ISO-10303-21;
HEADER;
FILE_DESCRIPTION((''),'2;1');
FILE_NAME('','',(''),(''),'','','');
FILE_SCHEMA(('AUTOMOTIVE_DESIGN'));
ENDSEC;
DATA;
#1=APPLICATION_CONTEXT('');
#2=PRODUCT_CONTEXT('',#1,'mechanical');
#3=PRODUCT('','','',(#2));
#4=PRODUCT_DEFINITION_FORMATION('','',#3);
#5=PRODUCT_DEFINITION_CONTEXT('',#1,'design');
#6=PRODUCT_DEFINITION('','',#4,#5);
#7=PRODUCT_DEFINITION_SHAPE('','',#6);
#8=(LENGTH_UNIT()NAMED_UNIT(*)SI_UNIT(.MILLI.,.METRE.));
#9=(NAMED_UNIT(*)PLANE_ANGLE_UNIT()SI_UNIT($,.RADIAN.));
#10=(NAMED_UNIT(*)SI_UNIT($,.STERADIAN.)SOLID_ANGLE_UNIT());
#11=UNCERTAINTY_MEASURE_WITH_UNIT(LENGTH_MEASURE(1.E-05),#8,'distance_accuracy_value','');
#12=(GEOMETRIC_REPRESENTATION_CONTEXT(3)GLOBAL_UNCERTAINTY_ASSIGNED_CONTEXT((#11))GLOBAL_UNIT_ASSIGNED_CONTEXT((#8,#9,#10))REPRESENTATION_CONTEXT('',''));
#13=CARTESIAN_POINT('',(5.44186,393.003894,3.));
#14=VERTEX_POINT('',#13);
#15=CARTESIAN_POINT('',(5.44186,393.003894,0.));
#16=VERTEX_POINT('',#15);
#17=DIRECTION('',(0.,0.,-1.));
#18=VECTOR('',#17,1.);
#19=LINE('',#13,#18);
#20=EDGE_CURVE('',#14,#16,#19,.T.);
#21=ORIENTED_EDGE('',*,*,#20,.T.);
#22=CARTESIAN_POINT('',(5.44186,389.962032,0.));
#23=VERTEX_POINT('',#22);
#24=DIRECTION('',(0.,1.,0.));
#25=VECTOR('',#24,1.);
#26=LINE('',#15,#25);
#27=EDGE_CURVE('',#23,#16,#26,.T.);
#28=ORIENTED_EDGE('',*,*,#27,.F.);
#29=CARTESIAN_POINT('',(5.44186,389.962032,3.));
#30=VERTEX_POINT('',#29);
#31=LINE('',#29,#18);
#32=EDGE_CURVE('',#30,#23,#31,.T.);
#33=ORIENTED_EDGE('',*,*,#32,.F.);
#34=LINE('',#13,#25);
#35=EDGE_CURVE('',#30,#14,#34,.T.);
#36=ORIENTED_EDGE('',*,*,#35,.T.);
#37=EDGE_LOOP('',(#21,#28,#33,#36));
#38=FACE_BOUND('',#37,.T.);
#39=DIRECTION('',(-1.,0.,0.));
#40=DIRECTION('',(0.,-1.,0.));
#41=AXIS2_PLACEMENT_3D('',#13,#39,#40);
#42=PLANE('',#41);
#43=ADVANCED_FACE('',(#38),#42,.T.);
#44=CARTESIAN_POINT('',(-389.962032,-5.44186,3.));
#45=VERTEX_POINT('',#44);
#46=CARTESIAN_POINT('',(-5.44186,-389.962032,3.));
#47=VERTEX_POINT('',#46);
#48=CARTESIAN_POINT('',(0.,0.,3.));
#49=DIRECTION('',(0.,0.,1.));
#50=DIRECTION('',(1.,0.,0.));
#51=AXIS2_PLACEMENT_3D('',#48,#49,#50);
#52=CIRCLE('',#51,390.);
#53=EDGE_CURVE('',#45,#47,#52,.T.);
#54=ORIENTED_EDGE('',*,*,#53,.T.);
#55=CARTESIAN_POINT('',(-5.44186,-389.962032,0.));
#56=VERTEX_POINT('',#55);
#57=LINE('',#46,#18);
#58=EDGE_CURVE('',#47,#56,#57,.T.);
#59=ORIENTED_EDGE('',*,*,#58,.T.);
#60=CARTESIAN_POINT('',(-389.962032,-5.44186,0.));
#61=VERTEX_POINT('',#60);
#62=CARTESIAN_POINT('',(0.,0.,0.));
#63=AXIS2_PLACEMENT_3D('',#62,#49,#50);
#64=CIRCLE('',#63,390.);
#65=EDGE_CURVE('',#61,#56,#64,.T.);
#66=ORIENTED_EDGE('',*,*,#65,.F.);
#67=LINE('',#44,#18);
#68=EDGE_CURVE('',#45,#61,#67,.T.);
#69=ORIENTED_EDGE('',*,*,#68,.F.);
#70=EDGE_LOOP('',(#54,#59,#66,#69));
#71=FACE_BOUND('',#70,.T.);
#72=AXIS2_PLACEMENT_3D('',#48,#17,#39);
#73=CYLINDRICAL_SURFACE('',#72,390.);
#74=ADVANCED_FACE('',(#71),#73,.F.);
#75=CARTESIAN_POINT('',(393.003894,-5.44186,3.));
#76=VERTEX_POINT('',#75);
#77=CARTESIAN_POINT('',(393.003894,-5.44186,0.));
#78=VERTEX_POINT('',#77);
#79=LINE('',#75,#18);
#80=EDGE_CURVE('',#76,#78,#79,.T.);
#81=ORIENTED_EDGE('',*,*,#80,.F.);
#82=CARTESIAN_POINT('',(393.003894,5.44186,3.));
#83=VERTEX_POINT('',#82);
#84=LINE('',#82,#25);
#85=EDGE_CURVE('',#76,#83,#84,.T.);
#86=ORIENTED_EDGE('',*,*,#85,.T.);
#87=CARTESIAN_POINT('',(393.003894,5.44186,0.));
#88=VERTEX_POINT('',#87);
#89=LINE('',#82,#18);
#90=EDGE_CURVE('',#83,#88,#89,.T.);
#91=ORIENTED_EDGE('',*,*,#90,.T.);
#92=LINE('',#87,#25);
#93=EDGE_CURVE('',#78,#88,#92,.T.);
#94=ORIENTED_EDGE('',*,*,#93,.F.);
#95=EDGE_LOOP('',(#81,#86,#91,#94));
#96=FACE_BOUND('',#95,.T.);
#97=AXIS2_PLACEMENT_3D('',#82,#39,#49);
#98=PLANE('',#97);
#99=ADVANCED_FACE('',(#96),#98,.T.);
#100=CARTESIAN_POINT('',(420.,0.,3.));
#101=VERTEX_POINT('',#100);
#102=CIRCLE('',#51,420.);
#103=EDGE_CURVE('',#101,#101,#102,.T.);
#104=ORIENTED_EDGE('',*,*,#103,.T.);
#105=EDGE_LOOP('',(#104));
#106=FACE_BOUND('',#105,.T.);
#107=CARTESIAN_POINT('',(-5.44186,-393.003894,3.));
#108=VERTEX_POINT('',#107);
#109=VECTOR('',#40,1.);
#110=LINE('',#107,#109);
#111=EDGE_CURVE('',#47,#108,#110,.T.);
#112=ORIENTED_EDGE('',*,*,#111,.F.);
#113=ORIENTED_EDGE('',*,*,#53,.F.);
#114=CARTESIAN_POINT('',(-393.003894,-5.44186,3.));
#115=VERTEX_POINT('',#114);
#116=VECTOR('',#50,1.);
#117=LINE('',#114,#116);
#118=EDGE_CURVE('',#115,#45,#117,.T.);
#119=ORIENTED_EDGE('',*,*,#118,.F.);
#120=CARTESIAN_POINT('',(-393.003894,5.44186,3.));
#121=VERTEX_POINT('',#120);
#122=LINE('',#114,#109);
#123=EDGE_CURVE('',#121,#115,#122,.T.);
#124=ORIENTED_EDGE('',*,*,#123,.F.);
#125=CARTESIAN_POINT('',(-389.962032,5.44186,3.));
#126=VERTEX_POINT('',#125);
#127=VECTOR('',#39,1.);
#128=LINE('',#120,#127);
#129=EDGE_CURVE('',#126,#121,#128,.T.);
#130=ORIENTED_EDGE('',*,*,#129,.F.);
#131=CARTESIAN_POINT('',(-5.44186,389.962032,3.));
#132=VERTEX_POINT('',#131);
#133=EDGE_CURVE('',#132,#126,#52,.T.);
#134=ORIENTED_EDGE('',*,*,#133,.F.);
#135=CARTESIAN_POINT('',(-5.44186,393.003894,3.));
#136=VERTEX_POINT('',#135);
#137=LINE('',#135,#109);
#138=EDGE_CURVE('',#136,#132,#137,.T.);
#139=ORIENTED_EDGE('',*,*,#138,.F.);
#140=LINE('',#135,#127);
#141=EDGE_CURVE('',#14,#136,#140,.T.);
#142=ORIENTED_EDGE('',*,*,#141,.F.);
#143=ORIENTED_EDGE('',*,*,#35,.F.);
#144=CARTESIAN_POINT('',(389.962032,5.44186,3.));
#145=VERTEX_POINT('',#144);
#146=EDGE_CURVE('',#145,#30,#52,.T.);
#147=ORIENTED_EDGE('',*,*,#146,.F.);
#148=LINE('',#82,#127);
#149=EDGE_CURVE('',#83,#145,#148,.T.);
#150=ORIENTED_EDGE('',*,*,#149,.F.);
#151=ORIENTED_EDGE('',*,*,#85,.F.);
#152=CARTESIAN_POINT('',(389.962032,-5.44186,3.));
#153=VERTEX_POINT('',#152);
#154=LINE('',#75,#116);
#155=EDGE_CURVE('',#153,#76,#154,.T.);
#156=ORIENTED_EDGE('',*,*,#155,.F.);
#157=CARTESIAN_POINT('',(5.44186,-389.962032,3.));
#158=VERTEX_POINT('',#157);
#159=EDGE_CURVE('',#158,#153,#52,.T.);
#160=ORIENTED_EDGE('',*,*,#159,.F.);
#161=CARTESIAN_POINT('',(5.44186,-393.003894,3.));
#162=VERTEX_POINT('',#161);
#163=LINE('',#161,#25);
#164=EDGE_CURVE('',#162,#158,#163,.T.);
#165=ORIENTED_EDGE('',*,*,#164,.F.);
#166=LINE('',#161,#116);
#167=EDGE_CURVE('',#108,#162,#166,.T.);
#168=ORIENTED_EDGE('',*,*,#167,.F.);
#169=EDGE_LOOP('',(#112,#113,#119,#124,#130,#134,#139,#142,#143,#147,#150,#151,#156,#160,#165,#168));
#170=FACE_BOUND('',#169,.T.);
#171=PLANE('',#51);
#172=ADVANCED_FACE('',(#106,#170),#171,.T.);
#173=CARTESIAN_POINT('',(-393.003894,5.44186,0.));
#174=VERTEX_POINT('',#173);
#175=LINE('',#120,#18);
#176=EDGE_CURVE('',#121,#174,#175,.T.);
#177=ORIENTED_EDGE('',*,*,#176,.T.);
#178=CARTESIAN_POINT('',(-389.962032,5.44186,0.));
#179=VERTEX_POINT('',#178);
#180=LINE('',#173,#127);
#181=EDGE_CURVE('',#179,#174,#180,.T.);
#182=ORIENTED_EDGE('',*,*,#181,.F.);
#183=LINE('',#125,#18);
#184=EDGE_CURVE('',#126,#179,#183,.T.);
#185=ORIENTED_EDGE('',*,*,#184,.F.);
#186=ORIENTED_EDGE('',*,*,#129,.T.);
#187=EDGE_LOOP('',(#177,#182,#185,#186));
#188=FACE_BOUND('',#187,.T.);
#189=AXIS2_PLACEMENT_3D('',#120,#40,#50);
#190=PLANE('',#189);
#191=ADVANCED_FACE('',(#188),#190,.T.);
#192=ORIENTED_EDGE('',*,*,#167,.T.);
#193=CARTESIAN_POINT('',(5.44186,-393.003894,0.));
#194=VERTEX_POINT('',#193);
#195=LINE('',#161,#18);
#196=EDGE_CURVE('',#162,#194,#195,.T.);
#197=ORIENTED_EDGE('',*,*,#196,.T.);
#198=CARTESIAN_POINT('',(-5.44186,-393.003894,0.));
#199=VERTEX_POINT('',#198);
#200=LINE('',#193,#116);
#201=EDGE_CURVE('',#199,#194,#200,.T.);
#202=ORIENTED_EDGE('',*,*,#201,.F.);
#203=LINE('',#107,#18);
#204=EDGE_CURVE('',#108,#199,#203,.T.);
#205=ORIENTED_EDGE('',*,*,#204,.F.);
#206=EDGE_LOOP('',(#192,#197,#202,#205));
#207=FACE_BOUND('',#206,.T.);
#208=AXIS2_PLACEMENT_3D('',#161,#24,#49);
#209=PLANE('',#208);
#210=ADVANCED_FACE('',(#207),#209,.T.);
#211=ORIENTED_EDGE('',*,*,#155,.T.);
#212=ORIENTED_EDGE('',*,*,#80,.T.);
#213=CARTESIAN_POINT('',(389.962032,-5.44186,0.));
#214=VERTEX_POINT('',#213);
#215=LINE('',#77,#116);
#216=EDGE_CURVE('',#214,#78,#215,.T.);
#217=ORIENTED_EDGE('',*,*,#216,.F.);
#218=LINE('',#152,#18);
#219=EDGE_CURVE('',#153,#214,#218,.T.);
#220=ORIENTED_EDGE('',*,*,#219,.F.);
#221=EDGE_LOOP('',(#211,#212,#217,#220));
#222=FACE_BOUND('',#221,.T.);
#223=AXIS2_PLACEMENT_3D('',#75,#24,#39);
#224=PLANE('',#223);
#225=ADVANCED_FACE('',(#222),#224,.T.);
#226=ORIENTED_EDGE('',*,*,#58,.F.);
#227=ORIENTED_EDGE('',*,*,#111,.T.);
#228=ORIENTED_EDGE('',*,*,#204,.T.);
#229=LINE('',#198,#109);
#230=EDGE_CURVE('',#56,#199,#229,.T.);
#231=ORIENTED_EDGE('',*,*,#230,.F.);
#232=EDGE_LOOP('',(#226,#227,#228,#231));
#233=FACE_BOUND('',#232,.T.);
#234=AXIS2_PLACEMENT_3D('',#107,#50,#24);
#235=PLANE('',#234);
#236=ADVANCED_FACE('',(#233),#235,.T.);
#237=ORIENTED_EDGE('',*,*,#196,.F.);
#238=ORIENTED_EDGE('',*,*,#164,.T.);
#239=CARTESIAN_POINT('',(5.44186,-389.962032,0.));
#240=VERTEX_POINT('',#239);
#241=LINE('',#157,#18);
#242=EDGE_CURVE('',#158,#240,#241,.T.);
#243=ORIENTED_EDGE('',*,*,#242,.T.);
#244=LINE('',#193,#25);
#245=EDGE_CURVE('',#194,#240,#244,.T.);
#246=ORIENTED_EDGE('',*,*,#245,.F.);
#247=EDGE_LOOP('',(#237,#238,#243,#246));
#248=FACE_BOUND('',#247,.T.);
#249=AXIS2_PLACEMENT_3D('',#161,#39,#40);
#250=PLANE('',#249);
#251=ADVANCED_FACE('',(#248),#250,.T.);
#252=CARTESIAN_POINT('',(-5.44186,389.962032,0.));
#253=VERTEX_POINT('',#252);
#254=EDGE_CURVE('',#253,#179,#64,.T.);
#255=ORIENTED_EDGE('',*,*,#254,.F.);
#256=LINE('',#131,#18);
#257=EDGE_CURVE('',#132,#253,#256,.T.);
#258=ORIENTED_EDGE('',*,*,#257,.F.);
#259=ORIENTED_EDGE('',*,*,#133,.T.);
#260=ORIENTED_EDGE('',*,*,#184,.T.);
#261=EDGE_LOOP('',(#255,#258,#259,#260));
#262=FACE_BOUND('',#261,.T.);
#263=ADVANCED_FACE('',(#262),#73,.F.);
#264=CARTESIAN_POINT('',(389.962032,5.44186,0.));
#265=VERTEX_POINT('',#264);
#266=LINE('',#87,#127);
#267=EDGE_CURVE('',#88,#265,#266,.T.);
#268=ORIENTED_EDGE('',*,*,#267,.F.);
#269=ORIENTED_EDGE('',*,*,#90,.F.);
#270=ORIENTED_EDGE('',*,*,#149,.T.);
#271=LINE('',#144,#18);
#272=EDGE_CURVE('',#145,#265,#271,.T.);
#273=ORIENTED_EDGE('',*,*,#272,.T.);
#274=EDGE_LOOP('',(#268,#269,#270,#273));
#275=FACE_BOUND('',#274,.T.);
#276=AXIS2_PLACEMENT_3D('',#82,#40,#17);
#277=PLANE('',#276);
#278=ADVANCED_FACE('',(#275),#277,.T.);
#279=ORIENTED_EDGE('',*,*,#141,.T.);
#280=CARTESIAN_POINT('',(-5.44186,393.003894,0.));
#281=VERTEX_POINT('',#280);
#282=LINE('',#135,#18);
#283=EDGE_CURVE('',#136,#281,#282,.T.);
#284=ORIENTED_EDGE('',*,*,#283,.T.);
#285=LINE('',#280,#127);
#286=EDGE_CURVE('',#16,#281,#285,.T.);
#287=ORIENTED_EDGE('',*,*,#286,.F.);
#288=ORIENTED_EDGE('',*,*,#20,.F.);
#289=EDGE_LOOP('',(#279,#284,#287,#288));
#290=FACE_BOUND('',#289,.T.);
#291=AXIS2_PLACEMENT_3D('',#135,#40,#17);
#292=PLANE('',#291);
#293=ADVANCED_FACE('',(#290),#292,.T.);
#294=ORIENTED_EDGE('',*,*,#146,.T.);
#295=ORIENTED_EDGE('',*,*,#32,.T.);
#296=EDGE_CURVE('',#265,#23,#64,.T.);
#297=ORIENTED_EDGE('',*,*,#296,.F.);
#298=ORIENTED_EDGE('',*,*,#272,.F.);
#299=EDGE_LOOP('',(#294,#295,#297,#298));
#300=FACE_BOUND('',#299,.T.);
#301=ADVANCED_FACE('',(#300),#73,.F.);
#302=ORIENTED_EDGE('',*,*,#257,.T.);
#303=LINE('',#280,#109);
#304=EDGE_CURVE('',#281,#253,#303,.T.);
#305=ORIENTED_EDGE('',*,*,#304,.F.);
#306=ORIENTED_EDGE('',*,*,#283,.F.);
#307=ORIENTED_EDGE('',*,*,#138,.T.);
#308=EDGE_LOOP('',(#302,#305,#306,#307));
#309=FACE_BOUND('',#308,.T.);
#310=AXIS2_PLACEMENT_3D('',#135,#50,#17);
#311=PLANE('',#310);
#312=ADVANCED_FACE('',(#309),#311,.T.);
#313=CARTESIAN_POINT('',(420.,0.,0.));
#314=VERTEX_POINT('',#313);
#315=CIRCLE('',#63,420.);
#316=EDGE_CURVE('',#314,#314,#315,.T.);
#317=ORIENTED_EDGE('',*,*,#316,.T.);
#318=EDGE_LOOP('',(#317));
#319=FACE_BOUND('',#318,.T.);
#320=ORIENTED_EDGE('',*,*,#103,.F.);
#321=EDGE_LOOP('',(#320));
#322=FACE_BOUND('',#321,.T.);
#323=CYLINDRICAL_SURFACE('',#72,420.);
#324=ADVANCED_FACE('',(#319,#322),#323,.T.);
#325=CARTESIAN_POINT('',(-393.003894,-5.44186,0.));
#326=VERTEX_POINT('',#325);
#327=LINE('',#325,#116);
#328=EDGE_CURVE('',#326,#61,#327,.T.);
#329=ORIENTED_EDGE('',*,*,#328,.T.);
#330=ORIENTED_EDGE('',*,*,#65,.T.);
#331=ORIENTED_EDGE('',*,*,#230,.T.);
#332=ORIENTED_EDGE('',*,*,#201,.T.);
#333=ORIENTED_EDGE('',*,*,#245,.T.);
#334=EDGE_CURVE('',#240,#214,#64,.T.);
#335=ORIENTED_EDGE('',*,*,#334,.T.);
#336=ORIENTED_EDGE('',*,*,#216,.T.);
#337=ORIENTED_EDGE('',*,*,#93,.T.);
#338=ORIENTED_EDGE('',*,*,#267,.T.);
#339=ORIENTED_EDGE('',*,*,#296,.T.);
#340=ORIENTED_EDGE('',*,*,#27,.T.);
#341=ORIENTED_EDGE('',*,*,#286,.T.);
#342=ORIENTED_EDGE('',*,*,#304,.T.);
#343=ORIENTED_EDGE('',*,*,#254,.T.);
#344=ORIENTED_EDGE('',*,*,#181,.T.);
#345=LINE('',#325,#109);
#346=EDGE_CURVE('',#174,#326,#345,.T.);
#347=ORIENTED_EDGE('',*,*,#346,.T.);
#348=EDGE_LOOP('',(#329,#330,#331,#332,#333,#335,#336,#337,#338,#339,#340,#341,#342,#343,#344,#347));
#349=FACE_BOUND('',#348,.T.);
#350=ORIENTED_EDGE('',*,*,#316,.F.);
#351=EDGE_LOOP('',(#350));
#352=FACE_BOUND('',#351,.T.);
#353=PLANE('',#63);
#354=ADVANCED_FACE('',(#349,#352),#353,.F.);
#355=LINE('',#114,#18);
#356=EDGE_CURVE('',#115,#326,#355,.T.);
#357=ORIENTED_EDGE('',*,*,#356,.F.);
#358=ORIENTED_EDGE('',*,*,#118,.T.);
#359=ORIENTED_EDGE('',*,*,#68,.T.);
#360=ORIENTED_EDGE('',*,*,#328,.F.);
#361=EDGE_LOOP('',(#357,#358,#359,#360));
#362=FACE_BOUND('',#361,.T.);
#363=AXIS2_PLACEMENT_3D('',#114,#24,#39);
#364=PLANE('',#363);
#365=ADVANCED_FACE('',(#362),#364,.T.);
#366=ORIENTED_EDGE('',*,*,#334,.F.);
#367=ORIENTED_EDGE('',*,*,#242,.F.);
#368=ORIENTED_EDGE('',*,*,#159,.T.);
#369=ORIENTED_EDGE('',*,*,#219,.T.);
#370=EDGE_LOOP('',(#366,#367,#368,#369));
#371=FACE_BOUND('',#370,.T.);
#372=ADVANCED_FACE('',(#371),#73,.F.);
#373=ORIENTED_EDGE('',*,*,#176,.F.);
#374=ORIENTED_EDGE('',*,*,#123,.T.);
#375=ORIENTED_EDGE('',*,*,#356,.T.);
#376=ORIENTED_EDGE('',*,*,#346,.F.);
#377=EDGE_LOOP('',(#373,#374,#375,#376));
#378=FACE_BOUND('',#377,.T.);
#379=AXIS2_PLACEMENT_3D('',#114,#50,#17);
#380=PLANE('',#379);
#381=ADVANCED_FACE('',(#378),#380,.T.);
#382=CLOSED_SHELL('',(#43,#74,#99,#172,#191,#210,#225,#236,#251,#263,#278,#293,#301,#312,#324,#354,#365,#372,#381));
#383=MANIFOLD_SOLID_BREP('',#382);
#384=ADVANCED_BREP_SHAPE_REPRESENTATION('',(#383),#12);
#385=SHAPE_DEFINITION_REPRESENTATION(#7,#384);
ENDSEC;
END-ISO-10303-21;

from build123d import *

# Parameters (mm, degrees)
SKETCH1_R           = 420
BOSS_EXTRUDE1_DEPTH = 3


with BuildPart() as part:
    # Sketch1 → Boss-Extrude1 (new body)
    with BuildSketch(Plane.XY):
        Circle(SKETCH1_R)
        with BuildLine():
            Line((393.003894186, 5.441860465), (389.962031683, 5.441860465))
            ThreePointArc((389.962031683, 5.441860465), (275.771644663, 275.771644663), (5.441860465, 389.962031683))
            Line((5.441860465, 389.962031683), (5.441860465, 393.003894186))
            Line((5.441860465, 393.003894186), (-5.441860465, 393.003894186))
            Line((-5.441860465, 393.003894186), (-5.441860465, 389.962031683))
            ThreePointArc((-5.441860465, 389.962031683), (-275.771644663, 275.771644663), (-389.962031683, 5.441860465))
            Line((-389.962031683, 5.441860465), (-393.003894186, 5.441860465))
            Line((-393.003894186, 5.441860465), (-393.003894186, -5.441860465))
            Line((-393.003894186, -5.441860465), (-389.962031683, -5.441860465))
            ThreePointArc((-389.962031683, -5.441860465), (-275.771644663, -275.771644663), (-5.441860465, -389.962031683))
            Line((-5.441860465, -389.962031683), (-5.441860465, -393.003894186))
            Line((-5.441860465, -393.003894186), (5.441860465, -393.003894186))
            Line((5.441860465, -393.003894186), (5.441860465, -389.962031683))
            ThreePointArc((5.441860465, -389.962031683), (275.771644663, -275.771644663), (389.962031683, -5.441860465))
            Line((389.962031683, -5.441860465), (393.003894186, -5.441860465))
            Line((393.003894186, -5.441860465), (393.003894186, 5.441860465))
        make_face(mode=Mode.SUBTRACT)
    extrude(amount=BOSS_EXTRUDE1_DEPTH)


solid = part.part
